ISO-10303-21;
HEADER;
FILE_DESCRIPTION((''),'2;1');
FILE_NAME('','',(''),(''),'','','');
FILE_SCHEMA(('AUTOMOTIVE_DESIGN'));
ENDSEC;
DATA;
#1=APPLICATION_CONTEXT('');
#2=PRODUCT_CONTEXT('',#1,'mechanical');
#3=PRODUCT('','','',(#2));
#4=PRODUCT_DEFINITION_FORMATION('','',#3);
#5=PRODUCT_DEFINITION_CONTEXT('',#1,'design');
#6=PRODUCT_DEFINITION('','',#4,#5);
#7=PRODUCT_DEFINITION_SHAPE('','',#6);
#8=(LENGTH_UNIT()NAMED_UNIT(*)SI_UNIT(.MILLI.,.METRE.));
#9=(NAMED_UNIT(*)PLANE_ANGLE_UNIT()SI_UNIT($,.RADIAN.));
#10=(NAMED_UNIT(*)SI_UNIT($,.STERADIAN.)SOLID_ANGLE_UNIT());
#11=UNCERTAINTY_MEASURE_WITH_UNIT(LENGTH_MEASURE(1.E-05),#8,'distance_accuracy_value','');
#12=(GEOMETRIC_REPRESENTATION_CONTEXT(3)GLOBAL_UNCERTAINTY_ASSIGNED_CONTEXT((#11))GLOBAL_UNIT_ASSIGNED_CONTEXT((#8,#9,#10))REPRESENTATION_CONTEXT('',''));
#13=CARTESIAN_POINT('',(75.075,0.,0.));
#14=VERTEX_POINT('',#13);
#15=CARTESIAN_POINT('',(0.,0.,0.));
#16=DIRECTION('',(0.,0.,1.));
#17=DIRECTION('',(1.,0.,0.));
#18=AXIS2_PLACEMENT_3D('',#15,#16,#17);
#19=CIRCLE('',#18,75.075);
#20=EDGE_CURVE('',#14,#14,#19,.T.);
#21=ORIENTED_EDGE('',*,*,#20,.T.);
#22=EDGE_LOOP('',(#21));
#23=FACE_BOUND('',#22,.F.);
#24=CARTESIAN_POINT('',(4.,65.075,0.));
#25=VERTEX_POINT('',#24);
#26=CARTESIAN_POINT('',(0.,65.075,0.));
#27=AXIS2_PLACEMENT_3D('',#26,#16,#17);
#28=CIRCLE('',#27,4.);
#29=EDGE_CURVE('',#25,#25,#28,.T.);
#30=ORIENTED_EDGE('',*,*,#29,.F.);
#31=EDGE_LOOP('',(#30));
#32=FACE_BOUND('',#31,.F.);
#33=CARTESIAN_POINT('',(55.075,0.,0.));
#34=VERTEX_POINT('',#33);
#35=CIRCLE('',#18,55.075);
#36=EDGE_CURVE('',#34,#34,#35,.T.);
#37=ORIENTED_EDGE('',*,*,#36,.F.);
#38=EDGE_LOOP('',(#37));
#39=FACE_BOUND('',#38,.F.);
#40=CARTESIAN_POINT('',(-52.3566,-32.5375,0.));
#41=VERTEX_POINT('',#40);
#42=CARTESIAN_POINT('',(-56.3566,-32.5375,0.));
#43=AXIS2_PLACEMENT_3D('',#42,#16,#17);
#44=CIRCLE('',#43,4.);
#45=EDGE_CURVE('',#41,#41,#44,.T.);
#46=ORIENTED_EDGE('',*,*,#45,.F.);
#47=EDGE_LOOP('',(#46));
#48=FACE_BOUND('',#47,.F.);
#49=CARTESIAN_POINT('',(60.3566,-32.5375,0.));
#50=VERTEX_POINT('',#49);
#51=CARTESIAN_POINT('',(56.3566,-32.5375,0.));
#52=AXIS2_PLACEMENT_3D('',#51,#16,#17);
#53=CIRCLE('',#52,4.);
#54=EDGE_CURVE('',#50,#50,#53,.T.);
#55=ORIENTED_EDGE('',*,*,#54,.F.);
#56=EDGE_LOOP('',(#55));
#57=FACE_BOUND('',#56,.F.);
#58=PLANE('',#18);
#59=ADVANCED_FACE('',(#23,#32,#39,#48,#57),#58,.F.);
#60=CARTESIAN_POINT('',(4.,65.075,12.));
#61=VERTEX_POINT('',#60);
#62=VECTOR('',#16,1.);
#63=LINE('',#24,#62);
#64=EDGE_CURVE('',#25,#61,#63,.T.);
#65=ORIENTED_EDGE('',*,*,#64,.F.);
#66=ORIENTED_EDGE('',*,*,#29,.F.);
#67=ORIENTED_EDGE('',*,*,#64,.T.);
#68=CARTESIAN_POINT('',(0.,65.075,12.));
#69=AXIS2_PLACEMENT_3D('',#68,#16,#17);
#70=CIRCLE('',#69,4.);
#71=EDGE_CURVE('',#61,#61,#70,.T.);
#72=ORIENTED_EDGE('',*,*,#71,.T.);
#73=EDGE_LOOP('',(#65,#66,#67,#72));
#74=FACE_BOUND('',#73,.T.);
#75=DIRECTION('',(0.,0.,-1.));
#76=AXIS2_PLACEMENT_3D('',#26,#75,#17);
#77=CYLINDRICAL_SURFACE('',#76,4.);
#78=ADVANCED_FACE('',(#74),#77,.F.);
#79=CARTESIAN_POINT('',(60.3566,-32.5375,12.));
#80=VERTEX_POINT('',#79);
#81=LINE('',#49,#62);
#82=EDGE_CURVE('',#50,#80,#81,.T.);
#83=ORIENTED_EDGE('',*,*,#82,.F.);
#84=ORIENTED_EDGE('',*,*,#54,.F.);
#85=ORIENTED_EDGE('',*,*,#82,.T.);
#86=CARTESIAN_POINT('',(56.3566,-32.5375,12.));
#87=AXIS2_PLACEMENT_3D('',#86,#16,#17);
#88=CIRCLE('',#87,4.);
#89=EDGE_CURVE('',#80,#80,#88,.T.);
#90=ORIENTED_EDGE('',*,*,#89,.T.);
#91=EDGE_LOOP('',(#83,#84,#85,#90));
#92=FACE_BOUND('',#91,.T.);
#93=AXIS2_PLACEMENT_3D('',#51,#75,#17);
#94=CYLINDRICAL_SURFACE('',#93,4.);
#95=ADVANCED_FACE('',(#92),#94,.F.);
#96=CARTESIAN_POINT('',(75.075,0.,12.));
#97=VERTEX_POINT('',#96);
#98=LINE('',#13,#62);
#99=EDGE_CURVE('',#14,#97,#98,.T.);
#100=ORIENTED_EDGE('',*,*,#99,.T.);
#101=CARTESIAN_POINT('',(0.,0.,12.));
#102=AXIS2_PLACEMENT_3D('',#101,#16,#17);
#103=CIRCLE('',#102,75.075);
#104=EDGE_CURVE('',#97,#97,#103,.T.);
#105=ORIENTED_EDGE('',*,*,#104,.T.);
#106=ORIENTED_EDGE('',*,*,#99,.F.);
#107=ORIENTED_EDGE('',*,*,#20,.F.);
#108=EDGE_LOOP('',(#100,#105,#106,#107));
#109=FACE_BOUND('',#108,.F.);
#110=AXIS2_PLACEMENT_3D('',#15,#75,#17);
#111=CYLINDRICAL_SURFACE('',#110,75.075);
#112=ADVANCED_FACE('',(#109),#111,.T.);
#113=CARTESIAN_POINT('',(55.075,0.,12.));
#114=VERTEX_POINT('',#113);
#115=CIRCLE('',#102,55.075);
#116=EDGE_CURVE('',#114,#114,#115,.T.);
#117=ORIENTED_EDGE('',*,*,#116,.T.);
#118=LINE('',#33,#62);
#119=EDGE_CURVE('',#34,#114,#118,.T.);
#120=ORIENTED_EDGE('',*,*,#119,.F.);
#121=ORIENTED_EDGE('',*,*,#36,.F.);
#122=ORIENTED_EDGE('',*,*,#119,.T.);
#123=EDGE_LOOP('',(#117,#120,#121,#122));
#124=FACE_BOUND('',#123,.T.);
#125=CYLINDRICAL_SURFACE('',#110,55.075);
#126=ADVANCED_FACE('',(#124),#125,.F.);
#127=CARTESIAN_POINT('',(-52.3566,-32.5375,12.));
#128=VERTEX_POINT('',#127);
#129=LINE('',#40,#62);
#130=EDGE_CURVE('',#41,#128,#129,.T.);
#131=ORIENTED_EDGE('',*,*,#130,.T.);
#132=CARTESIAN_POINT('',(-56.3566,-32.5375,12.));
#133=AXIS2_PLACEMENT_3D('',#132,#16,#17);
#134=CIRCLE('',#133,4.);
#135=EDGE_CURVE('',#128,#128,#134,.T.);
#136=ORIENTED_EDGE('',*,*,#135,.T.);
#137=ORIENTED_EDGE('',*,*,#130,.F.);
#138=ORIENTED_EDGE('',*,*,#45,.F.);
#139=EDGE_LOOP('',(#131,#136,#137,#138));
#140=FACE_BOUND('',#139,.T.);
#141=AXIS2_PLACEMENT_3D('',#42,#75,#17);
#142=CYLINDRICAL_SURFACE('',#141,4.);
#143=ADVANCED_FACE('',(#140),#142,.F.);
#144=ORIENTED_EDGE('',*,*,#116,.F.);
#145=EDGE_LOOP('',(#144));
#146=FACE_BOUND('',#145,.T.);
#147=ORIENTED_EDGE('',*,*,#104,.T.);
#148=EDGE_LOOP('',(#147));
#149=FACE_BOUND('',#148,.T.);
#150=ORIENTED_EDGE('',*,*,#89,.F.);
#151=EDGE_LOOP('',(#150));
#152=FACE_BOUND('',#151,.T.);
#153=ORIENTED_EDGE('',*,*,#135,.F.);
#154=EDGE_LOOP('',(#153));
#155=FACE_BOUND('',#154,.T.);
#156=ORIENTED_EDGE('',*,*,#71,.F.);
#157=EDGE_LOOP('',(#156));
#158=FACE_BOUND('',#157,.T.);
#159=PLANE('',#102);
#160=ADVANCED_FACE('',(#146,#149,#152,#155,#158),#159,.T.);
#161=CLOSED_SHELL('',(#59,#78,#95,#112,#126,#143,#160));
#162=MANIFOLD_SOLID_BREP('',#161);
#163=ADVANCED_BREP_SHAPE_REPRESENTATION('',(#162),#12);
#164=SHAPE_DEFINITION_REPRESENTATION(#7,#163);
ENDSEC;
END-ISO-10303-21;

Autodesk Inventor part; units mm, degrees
ref_plane "YZ Plane" through (0, 0, 0) normal (1, 0, 0) x (0, 1, 0)
ref_plane "XZ Plane" through (0, 0, 0) normal (0, 1, 0) x (-1, 0, 0)
ref_plane "XY Plane" through (0, 0, 0) normal (0, 0, 1) x (1, 0, 0)
sketch "Sketch1" plane through (0, 0, 0) normal (0, 0, 1) x (1, 0, 0)
  circle A0 centre (0, 0) radius 55.075
  circle A1 centre (0, 0) radius 75.075
  circle A2 centre (0, 65.075) radius 4
  circle A3 centre (-56.3566, -32.5375) radius 4
  circle A4 centre (56.3566, -32.5375) radius 4
  line L0 (0, 65.075) -> (-56.3566, -32.5375) construction
  line L1 (-56.3566, -32.5375) -> (56.3566, -32.5375) construction
  line L2 (56.3566, -32.5375) -> (0, 65.075) construction
  line L3 (0, 65.075) -> (0, 55.075) construction
  line L4 (-56.3566, -32.5375) -> (-47.6963, -27.5375) construction
  line L5 (56.3566, -32.5375) -> (47.6963, -27.5375) construction
  dimension "d0" = 20
  dimension "d1" = 110.15
  dimension "d7" = 8
  dimension "d8" = 10
extrude "Extrusion1" add sketch "Sketch1" along normal blind 12
properties part number "Tractor_Mobile_2"
